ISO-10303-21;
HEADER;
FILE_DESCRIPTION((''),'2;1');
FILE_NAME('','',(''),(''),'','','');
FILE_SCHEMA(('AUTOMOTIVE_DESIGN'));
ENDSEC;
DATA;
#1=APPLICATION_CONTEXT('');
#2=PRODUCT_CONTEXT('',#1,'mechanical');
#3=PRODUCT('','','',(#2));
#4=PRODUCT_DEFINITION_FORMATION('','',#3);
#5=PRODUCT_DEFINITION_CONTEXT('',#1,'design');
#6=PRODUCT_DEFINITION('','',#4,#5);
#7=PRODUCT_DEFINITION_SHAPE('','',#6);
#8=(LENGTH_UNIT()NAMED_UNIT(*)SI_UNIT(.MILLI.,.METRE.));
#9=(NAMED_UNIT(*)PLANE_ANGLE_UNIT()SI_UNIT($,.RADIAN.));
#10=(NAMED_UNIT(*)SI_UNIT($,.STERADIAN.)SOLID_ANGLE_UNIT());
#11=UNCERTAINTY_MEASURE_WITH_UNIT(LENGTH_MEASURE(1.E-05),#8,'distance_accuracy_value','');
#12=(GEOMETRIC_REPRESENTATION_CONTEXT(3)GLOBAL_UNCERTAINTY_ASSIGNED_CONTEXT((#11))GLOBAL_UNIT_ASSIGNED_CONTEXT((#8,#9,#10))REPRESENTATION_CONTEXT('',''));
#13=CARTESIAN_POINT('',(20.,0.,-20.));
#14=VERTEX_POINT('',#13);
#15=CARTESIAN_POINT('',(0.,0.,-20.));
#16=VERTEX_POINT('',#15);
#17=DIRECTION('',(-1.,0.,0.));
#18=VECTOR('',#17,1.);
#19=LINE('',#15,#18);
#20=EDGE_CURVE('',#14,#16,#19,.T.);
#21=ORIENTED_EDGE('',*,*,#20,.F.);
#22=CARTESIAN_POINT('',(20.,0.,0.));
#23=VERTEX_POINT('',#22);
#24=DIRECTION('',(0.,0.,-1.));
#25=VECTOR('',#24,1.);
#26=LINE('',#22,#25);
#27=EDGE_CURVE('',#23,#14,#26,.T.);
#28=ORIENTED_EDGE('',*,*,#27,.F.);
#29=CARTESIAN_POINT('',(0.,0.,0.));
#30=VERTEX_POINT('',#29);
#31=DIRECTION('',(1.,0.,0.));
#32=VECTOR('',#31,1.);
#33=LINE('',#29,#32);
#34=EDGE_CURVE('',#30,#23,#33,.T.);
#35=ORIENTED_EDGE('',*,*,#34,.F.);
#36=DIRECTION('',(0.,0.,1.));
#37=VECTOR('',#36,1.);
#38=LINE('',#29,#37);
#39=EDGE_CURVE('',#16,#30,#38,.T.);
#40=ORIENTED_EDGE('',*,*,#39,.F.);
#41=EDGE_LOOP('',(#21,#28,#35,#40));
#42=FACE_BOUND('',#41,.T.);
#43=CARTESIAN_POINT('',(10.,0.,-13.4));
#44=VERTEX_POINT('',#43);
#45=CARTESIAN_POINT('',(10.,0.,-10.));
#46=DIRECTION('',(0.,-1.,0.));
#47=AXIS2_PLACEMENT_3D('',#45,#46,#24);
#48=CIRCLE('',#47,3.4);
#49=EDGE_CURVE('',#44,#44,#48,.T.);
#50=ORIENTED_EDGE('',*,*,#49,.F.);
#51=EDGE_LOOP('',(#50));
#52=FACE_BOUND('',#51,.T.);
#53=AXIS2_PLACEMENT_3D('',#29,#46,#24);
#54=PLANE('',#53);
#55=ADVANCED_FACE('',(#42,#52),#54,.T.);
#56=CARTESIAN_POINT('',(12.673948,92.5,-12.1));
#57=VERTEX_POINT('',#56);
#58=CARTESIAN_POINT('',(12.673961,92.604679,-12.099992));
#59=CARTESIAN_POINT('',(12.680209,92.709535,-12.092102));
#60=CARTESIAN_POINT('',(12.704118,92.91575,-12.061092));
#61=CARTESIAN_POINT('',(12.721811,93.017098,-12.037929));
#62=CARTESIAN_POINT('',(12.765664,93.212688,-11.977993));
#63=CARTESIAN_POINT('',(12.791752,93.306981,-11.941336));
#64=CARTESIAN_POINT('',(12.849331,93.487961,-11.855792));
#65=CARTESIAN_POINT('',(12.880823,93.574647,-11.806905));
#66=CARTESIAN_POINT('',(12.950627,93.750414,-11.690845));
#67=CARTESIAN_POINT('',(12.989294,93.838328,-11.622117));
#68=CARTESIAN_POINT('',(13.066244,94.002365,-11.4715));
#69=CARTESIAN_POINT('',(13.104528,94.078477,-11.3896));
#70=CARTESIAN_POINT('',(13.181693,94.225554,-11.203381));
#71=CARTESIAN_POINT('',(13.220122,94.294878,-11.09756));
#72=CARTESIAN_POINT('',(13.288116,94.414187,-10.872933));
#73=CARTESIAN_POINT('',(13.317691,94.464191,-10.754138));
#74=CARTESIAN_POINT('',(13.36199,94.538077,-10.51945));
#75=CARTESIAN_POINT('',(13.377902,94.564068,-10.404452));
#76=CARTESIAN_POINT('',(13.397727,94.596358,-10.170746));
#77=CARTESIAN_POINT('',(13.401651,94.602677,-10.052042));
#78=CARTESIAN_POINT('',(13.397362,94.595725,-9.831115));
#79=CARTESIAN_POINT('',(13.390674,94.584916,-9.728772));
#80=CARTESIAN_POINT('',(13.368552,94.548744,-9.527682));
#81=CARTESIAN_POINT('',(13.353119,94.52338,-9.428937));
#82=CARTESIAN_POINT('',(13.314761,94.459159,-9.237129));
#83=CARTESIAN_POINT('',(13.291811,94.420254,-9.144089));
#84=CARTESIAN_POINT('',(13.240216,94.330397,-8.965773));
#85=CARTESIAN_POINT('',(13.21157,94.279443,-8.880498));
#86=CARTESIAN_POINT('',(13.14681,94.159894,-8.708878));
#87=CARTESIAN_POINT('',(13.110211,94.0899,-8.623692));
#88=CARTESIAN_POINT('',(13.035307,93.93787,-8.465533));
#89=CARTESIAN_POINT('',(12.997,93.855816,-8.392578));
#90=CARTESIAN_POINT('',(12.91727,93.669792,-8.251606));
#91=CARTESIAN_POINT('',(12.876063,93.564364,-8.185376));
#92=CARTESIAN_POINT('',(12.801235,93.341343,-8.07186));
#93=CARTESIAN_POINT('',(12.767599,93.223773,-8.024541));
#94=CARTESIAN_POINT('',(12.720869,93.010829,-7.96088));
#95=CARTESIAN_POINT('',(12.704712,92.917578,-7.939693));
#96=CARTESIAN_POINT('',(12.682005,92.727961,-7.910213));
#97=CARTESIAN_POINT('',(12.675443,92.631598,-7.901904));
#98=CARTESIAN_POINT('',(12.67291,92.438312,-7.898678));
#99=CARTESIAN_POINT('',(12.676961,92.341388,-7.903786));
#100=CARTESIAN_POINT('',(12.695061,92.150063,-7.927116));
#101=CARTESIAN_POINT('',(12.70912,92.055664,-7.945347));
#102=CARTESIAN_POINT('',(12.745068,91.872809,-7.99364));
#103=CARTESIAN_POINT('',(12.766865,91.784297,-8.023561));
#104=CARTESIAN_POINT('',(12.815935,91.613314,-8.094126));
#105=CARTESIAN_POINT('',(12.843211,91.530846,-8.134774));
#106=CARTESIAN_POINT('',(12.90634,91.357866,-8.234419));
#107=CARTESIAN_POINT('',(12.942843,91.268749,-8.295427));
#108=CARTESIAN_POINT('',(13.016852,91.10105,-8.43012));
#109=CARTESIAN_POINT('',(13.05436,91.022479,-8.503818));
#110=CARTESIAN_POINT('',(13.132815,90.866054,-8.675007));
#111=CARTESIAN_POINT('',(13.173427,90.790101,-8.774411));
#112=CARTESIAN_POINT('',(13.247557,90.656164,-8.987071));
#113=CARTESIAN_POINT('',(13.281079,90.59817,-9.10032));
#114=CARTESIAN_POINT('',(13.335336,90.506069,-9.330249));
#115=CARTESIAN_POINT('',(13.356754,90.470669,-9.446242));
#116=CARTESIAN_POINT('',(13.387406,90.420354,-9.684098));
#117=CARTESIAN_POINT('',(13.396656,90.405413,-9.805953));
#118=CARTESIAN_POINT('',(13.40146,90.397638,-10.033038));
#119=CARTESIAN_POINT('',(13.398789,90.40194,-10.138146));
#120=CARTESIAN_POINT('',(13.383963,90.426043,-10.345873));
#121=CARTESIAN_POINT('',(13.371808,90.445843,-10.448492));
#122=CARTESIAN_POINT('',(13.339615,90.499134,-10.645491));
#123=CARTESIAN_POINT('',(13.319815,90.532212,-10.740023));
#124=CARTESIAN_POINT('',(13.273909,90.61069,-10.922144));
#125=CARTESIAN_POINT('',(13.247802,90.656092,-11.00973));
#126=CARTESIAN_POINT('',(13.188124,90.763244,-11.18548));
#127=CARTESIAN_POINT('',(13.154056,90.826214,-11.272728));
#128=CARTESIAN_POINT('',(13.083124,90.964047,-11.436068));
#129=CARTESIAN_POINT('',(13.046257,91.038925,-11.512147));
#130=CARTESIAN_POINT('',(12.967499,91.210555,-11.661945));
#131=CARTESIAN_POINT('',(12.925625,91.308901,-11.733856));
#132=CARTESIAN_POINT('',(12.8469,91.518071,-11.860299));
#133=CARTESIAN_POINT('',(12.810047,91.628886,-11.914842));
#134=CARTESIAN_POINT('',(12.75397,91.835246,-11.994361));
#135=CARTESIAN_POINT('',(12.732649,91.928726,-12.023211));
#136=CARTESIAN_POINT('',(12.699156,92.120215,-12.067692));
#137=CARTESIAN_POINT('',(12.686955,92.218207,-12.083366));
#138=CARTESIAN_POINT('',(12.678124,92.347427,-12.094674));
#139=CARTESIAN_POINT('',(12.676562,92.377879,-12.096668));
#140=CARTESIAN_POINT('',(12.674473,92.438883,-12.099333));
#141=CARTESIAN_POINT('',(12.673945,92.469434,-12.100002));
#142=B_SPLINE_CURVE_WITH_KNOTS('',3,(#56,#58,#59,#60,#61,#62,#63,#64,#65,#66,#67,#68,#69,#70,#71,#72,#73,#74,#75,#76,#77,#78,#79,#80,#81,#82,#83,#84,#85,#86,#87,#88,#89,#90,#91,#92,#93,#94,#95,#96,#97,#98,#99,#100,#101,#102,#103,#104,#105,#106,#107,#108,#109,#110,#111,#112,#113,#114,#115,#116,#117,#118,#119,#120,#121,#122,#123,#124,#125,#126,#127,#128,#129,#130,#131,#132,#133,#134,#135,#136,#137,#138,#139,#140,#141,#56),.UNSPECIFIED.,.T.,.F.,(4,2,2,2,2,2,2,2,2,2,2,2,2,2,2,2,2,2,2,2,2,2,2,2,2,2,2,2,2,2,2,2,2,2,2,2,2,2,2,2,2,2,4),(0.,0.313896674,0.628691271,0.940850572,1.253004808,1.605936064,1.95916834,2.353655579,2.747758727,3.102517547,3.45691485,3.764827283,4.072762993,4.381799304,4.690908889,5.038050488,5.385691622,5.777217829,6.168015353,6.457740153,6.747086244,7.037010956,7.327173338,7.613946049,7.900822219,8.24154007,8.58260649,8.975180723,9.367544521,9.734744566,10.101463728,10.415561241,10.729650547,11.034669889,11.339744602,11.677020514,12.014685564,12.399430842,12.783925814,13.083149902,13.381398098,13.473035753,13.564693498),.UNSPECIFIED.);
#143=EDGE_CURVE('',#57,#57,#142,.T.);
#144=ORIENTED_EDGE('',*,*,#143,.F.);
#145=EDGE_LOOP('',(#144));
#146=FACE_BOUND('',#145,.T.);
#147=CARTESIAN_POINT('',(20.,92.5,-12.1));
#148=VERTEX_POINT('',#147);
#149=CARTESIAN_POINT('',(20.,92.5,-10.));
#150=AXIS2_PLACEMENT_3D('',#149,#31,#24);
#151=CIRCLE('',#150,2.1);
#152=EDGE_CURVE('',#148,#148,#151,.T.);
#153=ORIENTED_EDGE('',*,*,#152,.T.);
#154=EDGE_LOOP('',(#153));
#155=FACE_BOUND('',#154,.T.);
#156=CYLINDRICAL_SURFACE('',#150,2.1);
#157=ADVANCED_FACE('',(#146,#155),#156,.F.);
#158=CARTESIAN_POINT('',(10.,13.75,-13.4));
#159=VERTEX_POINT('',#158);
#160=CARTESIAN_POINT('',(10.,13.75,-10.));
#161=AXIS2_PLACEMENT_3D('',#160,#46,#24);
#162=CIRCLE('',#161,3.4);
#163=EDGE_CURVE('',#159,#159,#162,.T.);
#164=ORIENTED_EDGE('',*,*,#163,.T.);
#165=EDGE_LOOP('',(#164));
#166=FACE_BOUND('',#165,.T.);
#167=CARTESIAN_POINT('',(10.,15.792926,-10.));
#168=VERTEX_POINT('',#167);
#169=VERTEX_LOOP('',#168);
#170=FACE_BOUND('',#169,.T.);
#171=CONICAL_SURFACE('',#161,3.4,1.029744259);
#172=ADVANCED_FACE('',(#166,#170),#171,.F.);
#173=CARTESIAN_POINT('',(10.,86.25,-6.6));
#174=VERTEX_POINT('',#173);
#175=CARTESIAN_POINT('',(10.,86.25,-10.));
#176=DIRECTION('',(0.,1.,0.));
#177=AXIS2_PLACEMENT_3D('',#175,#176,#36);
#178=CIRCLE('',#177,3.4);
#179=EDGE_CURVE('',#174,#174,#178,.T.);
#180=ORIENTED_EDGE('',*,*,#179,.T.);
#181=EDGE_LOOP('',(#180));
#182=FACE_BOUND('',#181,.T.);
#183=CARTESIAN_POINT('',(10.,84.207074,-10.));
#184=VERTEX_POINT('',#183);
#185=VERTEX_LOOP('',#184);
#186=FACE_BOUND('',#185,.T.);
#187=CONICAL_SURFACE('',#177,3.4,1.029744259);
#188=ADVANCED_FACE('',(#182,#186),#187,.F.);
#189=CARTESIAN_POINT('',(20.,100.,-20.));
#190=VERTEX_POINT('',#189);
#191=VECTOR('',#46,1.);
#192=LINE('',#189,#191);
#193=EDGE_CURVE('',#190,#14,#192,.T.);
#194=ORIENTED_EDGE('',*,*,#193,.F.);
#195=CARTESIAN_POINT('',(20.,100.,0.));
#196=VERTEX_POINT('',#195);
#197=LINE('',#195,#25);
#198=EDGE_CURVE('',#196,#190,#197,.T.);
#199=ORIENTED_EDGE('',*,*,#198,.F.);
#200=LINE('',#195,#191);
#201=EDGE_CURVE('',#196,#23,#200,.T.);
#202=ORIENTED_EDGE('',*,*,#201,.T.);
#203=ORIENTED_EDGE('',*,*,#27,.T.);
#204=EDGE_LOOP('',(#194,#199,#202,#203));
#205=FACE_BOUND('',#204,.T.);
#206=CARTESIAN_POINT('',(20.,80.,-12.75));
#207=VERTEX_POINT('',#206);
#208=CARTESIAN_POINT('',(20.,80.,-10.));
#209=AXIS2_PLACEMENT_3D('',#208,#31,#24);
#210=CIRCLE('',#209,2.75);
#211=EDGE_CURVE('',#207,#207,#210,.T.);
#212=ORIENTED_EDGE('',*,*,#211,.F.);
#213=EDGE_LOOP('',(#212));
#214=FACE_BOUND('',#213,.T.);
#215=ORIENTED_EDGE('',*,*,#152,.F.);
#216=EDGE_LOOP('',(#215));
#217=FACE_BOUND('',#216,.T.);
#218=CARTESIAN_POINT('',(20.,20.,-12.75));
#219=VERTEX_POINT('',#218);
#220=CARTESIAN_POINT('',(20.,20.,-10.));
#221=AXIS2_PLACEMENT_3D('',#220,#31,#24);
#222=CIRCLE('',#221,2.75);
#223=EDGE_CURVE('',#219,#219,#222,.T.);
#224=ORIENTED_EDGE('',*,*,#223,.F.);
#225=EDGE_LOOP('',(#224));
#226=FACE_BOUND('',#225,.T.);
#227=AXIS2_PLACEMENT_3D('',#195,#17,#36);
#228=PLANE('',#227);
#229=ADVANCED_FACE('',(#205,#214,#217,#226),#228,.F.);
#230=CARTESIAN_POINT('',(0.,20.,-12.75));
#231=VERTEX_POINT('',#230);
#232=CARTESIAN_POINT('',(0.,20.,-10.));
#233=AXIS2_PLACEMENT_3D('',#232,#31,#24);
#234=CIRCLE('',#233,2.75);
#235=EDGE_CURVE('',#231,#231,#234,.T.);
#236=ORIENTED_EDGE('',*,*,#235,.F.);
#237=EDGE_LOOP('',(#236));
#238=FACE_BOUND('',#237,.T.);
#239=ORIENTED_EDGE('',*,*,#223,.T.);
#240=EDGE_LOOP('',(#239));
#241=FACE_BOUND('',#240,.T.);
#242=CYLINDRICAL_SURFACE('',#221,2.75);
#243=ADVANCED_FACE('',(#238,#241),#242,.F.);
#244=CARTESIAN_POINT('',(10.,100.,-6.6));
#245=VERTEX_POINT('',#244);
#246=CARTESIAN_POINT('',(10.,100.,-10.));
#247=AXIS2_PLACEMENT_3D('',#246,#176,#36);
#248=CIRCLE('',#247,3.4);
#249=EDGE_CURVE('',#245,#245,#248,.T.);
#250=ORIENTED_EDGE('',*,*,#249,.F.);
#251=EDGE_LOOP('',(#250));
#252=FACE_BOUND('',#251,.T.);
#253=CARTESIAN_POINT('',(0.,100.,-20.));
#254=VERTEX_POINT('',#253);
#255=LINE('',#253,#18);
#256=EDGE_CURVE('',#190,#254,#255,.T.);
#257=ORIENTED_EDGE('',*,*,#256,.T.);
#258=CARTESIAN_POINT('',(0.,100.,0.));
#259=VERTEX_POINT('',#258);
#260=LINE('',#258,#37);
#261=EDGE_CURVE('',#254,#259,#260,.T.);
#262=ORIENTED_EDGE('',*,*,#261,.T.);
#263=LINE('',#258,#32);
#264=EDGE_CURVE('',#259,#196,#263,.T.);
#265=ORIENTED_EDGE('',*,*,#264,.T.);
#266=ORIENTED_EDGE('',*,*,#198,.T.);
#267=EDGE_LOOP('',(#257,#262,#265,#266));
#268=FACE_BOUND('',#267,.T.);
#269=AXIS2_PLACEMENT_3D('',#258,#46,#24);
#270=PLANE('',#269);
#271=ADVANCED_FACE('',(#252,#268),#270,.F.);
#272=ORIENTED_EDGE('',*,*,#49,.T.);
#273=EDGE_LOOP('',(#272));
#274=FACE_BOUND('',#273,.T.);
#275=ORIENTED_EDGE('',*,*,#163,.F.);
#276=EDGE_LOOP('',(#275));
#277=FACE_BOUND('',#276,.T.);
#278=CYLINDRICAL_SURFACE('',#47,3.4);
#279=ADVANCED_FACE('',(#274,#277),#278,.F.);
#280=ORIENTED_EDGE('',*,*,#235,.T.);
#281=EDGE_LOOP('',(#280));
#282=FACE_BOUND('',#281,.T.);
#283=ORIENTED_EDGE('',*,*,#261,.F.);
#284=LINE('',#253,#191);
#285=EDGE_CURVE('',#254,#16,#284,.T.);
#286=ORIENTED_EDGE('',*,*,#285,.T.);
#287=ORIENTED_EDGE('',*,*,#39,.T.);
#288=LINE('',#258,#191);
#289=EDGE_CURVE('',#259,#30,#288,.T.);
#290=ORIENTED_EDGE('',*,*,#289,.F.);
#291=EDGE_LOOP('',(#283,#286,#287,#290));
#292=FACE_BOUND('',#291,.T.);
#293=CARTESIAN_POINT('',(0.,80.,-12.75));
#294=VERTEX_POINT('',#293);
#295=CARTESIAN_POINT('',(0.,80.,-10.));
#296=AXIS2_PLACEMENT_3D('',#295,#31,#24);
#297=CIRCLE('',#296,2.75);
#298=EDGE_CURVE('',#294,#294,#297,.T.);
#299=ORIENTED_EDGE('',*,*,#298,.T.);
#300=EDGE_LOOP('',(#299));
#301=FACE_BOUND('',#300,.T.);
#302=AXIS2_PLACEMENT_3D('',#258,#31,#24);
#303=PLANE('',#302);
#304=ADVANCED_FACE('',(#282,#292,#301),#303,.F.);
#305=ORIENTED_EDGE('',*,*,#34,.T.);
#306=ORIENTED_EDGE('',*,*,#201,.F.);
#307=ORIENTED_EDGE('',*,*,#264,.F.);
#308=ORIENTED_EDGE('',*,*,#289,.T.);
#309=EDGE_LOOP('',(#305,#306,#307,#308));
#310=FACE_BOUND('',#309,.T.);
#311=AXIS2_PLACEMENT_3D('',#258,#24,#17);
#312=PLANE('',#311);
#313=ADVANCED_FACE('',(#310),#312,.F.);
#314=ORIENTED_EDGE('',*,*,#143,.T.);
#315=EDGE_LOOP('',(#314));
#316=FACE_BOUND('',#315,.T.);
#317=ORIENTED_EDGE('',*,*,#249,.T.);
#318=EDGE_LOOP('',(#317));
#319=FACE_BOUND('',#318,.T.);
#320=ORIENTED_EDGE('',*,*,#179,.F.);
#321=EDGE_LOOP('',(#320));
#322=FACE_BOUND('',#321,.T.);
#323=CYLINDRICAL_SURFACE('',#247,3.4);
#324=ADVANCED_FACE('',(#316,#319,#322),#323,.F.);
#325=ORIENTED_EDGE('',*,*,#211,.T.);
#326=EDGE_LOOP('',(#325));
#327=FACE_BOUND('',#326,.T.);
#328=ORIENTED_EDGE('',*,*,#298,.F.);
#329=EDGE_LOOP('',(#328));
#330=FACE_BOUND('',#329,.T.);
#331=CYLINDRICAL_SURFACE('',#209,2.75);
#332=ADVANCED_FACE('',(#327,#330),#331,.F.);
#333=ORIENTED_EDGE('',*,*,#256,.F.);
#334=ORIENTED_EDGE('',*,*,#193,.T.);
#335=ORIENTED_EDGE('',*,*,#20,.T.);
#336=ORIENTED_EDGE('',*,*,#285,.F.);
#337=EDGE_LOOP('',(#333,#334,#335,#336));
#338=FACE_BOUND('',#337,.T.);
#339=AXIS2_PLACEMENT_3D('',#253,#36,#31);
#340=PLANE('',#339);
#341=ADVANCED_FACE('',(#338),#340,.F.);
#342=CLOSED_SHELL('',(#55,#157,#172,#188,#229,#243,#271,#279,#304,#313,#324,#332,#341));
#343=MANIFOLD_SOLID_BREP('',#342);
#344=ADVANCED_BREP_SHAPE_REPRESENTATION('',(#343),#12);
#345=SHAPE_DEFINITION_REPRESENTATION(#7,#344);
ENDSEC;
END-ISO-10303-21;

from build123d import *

# Parameters (mm, degrees)
SKETCH1_W             = 20
SKETCH1_H             = 20
BOSS_EXTRUDE1_DEPTH   = 100
M5_CLEARANCE_HOLE1_D  = 5.5
M5_TAPPED_HOLE3_D     = 4.2
M5_TAPPED_HOLE3_DEPTH = 10.4
M5_TAPPED_HOLE3_TIP   = 1.2618073


with BuildPart() as part:
    # Sketch1 → Boss-Extrude1 (new body)
    with BuildSketch(Plane(origin=(0, 0, 0), x_dir=(1, 0, 0), z_dir=(0, 1, 0))):
        with Locations((10, 10)):
            Rectangle(SKETCH1_W, SKETCH1_H)
    extrude(amount=BOSS_EXTRUDE1_DEPTH)

    # Sketch5 → M8 Tapped Hole1 (revolve, cut)
    with BuildSketch(Plane(origin=(10, 100, -10), x_dir=(0, 0, 1), z_dir=(1, 0, 0))):
        Polygon((0, 0), (0, 15.792926105), (3.4, 13.75), (3.4, 0), align=None)
    m8_tapped_hole1 = revolve(axis=Axis((10, 106.35, -10), (0, -1, 0)), mode=Mode.SUBTRACT)

    # Mirror1: M8 Tapped Hole1 across plane
    add(m8_tapped_hole1.mirror(Plane.ZX.offset(50)), mode=Mode.SUBTRACT)

    # M5 Clearance Hole1 (through all)
    with Locations(Plane(origin=(20, 0, 0), x_dir=(0, 0, -1), z_dir=(1, 0, 0))):
        with Locations((10, 20), (10, 80)):
            Hole(M5_CLEARANCE_HOLE1_D / 2)

    # M5 Tapped Hole3
    with Locations(Plane(origin=(20, 0, 0), x_dir=(0, 0, -1), z_dir=(1, 0, 0))):
        with Locations((10, 92.5)):
            Hole(M5_TAPPED_HOLE3_D / 2, depth=M5_TAPPED_HOLE3_DEPTH)
            with Locations((0, 0, -(M5_TAPPED_HOLE3_DEPTH + M5_TAPPED_HOLE3_TIP / 2))):  # 118° drill point
                Cone(0, M5_TAPPED_HOLE3_D / 2, M5_TAPPED_HOLE3_TIP, mode=Mode.SUBTRACT)


solid = part.part
